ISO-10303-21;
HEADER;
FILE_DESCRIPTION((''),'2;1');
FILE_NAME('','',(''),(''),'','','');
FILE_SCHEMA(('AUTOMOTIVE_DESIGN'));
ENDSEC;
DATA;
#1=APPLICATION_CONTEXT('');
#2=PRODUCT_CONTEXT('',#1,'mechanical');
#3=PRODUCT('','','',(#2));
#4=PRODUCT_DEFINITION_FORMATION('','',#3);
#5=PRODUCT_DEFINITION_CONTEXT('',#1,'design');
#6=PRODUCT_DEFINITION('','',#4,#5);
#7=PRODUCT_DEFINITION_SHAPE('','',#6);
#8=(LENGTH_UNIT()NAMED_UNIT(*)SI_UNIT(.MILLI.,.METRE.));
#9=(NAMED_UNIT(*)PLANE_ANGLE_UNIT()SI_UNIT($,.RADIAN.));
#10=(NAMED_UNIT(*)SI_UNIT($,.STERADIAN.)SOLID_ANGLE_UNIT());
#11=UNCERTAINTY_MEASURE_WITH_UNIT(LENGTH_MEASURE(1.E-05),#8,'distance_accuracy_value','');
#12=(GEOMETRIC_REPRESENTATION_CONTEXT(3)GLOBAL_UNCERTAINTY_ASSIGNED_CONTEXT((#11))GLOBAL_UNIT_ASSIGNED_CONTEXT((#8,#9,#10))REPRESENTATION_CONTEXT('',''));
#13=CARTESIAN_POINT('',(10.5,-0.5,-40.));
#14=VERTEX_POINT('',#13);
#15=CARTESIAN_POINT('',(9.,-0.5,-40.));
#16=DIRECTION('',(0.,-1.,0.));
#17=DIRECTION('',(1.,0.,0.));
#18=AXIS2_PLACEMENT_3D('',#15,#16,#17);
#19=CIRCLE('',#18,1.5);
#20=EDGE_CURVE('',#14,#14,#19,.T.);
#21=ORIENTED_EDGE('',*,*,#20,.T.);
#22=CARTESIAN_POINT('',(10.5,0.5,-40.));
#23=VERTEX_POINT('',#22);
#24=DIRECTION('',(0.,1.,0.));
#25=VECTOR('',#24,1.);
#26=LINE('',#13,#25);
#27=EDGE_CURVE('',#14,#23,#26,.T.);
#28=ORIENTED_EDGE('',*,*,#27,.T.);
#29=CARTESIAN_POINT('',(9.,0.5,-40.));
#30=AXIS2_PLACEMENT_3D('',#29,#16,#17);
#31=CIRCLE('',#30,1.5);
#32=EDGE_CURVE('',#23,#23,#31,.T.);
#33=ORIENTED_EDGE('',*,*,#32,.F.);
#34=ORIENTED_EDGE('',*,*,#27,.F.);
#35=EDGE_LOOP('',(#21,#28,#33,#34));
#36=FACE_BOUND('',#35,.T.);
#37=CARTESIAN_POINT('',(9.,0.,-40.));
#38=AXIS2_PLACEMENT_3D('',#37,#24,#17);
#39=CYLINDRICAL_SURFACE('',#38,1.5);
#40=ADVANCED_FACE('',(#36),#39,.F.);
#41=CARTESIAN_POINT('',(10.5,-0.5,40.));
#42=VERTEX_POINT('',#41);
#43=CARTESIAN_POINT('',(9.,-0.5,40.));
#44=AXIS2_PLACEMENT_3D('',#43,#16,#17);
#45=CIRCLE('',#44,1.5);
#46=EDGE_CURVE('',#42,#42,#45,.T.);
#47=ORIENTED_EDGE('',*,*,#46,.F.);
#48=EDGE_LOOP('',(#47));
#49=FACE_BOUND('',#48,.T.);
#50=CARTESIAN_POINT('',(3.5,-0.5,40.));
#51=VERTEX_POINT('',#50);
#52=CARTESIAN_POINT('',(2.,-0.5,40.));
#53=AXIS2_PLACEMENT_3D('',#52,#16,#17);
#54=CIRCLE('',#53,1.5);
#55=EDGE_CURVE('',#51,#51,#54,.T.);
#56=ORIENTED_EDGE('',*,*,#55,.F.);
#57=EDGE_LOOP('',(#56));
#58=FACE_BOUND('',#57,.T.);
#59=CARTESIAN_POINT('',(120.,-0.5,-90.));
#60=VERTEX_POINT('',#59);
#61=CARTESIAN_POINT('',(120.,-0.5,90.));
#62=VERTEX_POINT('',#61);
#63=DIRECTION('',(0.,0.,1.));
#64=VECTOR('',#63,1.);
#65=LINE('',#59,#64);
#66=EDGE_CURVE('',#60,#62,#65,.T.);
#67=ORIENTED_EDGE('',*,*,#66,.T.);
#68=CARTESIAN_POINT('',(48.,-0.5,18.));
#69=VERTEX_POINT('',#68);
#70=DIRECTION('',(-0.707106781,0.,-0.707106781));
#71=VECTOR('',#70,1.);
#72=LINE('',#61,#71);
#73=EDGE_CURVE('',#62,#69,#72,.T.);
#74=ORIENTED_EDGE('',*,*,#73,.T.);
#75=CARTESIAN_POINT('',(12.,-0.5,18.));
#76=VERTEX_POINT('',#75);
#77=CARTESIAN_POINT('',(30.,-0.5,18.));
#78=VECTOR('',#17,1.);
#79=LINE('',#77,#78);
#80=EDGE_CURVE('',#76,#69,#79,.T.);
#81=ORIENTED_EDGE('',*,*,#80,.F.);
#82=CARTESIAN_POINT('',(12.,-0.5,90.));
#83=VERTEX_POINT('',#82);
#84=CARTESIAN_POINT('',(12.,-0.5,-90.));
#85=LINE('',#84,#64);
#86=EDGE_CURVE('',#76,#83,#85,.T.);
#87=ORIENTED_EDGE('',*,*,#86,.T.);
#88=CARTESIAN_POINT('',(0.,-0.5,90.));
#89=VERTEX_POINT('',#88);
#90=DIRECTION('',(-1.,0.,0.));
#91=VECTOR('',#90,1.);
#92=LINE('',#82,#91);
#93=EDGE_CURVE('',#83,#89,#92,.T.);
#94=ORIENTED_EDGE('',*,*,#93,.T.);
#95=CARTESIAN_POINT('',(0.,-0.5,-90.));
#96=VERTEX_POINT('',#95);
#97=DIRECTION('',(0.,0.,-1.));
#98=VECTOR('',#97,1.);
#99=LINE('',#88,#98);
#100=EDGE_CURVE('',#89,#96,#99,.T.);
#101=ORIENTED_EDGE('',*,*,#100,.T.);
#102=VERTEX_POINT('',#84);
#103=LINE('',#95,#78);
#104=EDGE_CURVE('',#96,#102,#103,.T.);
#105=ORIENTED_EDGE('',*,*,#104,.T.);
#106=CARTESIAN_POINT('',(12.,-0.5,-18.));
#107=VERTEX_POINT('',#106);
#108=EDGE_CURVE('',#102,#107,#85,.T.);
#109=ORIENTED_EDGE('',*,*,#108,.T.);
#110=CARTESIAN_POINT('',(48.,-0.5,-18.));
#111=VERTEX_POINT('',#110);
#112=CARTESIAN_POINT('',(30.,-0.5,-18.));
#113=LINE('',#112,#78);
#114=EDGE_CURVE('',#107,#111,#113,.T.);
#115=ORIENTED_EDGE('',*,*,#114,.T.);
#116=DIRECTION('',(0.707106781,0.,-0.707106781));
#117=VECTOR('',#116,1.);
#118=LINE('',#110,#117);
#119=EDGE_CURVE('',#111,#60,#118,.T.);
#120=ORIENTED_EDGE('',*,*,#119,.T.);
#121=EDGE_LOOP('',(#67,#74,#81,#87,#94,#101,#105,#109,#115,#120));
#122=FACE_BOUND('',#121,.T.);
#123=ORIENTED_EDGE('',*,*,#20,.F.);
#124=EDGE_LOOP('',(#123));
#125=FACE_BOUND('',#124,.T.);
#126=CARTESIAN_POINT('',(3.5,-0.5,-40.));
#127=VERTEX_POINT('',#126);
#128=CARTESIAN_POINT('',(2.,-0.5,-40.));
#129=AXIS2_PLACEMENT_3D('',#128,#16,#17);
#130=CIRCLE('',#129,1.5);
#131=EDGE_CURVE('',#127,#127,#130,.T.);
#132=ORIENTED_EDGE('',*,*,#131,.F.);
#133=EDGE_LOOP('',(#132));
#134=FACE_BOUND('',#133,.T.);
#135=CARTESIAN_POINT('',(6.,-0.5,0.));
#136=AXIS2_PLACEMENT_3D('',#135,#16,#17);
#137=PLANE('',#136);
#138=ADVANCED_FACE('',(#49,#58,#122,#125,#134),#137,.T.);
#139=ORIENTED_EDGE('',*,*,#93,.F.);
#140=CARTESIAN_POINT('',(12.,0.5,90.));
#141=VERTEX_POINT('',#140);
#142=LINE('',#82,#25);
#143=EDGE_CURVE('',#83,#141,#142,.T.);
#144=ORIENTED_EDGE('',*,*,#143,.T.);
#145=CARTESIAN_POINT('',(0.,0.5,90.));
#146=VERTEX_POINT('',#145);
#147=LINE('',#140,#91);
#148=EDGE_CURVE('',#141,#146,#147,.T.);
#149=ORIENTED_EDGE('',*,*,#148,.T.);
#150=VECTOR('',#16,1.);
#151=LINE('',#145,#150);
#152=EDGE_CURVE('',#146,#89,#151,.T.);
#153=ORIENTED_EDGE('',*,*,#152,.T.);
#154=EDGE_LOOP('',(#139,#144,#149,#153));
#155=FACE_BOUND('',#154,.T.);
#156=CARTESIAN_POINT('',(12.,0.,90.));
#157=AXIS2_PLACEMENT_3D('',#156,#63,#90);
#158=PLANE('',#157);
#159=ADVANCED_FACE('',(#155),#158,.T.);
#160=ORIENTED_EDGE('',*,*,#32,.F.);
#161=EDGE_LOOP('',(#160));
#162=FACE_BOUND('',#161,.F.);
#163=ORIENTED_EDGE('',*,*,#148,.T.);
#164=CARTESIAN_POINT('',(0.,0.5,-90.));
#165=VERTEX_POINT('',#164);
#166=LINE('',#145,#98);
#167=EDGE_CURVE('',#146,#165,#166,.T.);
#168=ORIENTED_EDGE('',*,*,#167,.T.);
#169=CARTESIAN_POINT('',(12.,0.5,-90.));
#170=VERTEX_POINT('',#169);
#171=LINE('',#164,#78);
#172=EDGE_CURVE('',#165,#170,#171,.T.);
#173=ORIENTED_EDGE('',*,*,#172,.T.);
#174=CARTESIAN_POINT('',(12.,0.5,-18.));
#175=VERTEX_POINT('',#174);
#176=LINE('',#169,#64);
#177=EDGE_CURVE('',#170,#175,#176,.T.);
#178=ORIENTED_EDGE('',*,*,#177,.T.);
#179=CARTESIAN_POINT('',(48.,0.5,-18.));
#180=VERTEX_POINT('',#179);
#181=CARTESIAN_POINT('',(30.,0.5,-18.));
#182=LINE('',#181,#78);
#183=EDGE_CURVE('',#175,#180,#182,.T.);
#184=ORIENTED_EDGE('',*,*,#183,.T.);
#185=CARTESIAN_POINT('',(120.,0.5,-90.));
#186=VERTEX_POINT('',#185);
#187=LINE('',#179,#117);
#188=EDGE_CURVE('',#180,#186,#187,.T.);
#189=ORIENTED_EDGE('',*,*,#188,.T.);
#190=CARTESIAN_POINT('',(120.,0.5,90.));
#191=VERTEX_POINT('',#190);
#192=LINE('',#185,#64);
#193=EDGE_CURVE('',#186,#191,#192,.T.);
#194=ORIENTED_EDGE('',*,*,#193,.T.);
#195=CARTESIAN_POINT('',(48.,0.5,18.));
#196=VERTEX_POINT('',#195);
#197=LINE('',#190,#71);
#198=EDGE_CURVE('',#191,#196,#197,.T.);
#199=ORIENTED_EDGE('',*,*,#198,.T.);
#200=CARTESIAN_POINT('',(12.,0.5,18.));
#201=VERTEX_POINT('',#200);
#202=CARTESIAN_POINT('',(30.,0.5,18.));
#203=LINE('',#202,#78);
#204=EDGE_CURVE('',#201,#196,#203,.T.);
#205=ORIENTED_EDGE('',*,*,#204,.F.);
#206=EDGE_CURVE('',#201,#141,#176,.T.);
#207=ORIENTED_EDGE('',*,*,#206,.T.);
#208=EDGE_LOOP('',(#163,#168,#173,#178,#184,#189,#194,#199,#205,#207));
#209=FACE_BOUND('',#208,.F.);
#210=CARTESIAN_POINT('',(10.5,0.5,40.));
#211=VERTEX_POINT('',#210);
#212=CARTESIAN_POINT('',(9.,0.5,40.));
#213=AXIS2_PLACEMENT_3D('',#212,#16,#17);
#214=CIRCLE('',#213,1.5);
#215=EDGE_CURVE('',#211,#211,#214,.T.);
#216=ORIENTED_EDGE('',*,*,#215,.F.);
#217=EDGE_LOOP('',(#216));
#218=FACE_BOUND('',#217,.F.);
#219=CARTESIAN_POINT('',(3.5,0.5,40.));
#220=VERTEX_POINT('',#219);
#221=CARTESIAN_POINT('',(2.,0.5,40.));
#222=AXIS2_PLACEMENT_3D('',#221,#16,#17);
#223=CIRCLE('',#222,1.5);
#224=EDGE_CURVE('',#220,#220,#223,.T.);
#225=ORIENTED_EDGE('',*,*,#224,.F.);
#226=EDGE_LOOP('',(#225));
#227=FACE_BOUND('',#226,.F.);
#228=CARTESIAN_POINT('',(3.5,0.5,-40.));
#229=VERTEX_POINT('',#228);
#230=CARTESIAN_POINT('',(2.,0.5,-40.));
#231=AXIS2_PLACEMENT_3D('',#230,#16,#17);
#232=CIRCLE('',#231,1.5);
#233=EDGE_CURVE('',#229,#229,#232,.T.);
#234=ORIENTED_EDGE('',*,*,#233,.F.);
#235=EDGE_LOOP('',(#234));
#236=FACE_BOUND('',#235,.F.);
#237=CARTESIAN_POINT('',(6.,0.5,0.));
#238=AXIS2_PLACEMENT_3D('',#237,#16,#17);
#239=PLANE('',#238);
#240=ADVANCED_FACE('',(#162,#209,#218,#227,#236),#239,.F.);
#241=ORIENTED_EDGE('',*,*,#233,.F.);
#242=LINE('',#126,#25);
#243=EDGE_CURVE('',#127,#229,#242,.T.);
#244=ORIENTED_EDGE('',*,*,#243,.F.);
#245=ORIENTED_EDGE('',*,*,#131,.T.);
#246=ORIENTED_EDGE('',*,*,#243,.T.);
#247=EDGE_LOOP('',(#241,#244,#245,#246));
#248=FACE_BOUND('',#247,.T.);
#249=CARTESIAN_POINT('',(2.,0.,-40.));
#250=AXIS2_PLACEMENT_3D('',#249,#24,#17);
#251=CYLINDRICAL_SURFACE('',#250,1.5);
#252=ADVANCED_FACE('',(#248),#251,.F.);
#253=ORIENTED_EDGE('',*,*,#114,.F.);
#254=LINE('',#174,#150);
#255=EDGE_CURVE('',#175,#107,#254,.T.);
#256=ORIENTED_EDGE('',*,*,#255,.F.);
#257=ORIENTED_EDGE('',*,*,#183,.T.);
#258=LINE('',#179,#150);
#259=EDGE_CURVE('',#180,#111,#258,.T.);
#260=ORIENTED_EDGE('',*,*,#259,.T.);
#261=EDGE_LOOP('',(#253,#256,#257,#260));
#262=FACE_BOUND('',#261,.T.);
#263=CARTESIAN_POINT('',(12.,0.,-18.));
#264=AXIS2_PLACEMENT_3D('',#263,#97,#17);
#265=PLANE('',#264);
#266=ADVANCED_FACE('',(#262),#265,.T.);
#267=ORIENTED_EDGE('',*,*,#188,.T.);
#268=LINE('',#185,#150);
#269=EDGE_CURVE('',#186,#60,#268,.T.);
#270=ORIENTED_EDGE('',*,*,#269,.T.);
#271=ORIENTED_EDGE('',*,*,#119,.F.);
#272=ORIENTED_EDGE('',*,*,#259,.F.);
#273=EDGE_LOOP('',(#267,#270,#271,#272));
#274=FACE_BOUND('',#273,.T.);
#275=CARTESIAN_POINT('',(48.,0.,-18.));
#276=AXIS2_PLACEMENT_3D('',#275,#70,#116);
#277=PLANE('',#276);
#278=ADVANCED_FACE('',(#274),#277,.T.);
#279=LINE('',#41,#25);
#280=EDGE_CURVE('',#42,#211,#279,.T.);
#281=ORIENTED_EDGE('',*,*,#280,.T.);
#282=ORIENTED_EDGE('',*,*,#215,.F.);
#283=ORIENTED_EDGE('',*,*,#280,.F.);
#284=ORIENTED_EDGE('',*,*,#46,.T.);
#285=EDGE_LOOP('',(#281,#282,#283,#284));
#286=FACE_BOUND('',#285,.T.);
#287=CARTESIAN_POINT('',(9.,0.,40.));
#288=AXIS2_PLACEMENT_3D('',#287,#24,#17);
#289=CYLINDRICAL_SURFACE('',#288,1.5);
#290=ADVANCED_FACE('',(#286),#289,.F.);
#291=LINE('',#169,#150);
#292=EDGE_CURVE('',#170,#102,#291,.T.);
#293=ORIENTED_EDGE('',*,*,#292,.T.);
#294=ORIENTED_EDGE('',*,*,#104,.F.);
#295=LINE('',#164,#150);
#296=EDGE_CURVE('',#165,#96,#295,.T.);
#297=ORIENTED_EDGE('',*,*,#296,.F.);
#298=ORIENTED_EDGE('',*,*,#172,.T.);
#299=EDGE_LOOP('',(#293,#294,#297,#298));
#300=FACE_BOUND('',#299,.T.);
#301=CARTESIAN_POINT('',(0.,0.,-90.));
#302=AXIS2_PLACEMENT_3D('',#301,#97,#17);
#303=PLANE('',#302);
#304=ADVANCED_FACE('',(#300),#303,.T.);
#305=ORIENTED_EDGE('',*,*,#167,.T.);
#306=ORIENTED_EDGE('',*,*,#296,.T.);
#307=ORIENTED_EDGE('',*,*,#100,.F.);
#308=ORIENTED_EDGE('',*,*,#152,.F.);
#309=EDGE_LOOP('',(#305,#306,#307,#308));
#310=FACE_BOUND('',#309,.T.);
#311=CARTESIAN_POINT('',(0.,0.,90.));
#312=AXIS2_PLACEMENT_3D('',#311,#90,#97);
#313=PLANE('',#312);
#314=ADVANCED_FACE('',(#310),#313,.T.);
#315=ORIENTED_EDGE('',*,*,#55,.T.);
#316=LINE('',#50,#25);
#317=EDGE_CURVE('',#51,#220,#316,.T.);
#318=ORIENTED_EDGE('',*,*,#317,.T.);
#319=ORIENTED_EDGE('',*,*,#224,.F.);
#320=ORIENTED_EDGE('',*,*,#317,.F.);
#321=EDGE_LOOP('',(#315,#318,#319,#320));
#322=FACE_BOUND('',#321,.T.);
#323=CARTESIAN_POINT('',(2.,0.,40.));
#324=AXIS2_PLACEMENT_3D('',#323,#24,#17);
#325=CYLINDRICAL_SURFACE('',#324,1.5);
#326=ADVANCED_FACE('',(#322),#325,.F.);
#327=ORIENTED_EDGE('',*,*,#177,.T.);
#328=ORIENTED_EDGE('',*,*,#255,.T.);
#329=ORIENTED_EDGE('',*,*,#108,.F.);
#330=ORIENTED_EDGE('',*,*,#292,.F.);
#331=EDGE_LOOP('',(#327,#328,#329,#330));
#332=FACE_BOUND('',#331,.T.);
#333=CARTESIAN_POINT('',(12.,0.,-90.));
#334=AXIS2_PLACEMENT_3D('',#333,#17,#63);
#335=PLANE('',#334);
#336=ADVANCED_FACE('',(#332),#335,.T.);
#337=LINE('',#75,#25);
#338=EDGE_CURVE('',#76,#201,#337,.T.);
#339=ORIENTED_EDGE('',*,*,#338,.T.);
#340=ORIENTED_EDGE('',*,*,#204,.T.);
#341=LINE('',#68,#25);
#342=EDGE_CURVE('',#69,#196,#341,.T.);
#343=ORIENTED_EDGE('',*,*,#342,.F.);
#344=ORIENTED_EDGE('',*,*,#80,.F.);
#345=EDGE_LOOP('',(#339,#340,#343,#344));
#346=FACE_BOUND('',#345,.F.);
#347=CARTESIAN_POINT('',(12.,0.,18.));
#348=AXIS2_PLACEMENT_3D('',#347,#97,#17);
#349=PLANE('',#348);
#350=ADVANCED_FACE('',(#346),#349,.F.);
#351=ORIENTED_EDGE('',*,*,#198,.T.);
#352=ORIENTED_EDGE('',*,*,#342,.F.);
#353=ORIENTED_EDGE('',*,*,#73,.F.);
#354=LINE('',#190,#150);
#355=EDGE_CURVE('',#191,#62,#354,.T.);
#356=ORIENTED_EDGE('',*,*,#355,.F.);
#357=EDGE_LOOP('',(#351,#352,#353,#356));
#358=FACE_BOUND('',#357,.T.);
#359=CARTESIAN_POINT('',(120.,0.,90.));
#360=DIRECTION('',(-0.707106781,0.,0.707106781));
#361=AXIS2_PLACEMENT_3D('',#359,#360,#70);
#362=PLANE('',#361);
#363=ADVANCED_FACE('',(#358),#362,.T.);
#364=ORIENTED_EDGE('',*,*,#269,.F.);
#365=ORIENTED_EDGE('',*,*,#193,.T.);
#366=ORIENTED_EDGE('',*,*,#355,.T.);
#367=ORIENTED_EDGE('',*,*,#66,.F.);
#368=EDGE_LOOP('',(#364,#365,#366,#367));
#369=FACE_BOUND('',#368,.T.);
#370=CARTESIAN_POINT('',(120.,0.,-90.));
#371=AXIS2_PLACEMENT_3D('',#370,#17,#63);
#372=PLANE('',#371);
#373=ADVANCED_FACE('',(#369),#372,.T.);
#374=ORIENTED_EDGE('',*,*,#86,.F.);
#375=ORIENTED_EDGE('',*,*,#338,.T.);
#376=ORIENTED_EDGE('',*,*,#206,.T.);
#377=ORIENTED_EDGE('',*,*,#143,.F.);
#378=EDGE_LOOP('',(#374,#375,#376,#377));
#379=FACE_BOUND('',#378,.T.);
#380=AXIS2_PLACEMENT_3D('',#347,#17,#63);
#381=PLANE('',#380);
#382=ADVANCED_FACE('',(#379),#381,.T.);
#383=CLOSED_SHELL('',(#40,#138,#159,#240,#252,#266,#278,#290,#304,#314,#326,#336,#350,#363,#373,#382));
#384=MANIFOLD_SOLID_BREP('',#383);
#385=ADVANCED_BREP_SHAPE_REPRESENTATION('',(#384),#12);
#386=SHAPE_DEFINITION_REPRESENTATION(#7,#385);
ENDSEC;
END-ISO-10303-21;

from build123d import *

# Parameters (mm, degrees)
F0_R     = 1.5
F0_W     = 36
F0_H     = 36
F1_DEPTH = 0.5


with BuildPart() as f1:
    # F0 (on Front) → F1 (new body, symmetric)
    with BuildSketch(Plane.XZ):
        Polygon((12, 90), (0, 90), (0, -90), (12, -90), (12, -18), (12, 18), align=None)
        with Locations((2, -40)):
            Circle(F0_R, mode=Mode.SUBTRACT)
        with Locations((9, -40)):
            Circle(F0_R, mode=Mode.SUBTRACT)
        with Locations((2, 40)):
            Circle(F0_R, mode=Mode.SUBTRACT)
        with Locations((9, 40)):
            Circle(F0_R, mode=Mode.SUBTRACT)
        with Locations((30, 0)):
            Rectangle(F0_W, F0_H)
        Polygon((120, 90), (48, 18), (48, -18), (120, -90), align=None)
    extrude(amount=F1_DEPTH, both=True)


solid = f1.part
